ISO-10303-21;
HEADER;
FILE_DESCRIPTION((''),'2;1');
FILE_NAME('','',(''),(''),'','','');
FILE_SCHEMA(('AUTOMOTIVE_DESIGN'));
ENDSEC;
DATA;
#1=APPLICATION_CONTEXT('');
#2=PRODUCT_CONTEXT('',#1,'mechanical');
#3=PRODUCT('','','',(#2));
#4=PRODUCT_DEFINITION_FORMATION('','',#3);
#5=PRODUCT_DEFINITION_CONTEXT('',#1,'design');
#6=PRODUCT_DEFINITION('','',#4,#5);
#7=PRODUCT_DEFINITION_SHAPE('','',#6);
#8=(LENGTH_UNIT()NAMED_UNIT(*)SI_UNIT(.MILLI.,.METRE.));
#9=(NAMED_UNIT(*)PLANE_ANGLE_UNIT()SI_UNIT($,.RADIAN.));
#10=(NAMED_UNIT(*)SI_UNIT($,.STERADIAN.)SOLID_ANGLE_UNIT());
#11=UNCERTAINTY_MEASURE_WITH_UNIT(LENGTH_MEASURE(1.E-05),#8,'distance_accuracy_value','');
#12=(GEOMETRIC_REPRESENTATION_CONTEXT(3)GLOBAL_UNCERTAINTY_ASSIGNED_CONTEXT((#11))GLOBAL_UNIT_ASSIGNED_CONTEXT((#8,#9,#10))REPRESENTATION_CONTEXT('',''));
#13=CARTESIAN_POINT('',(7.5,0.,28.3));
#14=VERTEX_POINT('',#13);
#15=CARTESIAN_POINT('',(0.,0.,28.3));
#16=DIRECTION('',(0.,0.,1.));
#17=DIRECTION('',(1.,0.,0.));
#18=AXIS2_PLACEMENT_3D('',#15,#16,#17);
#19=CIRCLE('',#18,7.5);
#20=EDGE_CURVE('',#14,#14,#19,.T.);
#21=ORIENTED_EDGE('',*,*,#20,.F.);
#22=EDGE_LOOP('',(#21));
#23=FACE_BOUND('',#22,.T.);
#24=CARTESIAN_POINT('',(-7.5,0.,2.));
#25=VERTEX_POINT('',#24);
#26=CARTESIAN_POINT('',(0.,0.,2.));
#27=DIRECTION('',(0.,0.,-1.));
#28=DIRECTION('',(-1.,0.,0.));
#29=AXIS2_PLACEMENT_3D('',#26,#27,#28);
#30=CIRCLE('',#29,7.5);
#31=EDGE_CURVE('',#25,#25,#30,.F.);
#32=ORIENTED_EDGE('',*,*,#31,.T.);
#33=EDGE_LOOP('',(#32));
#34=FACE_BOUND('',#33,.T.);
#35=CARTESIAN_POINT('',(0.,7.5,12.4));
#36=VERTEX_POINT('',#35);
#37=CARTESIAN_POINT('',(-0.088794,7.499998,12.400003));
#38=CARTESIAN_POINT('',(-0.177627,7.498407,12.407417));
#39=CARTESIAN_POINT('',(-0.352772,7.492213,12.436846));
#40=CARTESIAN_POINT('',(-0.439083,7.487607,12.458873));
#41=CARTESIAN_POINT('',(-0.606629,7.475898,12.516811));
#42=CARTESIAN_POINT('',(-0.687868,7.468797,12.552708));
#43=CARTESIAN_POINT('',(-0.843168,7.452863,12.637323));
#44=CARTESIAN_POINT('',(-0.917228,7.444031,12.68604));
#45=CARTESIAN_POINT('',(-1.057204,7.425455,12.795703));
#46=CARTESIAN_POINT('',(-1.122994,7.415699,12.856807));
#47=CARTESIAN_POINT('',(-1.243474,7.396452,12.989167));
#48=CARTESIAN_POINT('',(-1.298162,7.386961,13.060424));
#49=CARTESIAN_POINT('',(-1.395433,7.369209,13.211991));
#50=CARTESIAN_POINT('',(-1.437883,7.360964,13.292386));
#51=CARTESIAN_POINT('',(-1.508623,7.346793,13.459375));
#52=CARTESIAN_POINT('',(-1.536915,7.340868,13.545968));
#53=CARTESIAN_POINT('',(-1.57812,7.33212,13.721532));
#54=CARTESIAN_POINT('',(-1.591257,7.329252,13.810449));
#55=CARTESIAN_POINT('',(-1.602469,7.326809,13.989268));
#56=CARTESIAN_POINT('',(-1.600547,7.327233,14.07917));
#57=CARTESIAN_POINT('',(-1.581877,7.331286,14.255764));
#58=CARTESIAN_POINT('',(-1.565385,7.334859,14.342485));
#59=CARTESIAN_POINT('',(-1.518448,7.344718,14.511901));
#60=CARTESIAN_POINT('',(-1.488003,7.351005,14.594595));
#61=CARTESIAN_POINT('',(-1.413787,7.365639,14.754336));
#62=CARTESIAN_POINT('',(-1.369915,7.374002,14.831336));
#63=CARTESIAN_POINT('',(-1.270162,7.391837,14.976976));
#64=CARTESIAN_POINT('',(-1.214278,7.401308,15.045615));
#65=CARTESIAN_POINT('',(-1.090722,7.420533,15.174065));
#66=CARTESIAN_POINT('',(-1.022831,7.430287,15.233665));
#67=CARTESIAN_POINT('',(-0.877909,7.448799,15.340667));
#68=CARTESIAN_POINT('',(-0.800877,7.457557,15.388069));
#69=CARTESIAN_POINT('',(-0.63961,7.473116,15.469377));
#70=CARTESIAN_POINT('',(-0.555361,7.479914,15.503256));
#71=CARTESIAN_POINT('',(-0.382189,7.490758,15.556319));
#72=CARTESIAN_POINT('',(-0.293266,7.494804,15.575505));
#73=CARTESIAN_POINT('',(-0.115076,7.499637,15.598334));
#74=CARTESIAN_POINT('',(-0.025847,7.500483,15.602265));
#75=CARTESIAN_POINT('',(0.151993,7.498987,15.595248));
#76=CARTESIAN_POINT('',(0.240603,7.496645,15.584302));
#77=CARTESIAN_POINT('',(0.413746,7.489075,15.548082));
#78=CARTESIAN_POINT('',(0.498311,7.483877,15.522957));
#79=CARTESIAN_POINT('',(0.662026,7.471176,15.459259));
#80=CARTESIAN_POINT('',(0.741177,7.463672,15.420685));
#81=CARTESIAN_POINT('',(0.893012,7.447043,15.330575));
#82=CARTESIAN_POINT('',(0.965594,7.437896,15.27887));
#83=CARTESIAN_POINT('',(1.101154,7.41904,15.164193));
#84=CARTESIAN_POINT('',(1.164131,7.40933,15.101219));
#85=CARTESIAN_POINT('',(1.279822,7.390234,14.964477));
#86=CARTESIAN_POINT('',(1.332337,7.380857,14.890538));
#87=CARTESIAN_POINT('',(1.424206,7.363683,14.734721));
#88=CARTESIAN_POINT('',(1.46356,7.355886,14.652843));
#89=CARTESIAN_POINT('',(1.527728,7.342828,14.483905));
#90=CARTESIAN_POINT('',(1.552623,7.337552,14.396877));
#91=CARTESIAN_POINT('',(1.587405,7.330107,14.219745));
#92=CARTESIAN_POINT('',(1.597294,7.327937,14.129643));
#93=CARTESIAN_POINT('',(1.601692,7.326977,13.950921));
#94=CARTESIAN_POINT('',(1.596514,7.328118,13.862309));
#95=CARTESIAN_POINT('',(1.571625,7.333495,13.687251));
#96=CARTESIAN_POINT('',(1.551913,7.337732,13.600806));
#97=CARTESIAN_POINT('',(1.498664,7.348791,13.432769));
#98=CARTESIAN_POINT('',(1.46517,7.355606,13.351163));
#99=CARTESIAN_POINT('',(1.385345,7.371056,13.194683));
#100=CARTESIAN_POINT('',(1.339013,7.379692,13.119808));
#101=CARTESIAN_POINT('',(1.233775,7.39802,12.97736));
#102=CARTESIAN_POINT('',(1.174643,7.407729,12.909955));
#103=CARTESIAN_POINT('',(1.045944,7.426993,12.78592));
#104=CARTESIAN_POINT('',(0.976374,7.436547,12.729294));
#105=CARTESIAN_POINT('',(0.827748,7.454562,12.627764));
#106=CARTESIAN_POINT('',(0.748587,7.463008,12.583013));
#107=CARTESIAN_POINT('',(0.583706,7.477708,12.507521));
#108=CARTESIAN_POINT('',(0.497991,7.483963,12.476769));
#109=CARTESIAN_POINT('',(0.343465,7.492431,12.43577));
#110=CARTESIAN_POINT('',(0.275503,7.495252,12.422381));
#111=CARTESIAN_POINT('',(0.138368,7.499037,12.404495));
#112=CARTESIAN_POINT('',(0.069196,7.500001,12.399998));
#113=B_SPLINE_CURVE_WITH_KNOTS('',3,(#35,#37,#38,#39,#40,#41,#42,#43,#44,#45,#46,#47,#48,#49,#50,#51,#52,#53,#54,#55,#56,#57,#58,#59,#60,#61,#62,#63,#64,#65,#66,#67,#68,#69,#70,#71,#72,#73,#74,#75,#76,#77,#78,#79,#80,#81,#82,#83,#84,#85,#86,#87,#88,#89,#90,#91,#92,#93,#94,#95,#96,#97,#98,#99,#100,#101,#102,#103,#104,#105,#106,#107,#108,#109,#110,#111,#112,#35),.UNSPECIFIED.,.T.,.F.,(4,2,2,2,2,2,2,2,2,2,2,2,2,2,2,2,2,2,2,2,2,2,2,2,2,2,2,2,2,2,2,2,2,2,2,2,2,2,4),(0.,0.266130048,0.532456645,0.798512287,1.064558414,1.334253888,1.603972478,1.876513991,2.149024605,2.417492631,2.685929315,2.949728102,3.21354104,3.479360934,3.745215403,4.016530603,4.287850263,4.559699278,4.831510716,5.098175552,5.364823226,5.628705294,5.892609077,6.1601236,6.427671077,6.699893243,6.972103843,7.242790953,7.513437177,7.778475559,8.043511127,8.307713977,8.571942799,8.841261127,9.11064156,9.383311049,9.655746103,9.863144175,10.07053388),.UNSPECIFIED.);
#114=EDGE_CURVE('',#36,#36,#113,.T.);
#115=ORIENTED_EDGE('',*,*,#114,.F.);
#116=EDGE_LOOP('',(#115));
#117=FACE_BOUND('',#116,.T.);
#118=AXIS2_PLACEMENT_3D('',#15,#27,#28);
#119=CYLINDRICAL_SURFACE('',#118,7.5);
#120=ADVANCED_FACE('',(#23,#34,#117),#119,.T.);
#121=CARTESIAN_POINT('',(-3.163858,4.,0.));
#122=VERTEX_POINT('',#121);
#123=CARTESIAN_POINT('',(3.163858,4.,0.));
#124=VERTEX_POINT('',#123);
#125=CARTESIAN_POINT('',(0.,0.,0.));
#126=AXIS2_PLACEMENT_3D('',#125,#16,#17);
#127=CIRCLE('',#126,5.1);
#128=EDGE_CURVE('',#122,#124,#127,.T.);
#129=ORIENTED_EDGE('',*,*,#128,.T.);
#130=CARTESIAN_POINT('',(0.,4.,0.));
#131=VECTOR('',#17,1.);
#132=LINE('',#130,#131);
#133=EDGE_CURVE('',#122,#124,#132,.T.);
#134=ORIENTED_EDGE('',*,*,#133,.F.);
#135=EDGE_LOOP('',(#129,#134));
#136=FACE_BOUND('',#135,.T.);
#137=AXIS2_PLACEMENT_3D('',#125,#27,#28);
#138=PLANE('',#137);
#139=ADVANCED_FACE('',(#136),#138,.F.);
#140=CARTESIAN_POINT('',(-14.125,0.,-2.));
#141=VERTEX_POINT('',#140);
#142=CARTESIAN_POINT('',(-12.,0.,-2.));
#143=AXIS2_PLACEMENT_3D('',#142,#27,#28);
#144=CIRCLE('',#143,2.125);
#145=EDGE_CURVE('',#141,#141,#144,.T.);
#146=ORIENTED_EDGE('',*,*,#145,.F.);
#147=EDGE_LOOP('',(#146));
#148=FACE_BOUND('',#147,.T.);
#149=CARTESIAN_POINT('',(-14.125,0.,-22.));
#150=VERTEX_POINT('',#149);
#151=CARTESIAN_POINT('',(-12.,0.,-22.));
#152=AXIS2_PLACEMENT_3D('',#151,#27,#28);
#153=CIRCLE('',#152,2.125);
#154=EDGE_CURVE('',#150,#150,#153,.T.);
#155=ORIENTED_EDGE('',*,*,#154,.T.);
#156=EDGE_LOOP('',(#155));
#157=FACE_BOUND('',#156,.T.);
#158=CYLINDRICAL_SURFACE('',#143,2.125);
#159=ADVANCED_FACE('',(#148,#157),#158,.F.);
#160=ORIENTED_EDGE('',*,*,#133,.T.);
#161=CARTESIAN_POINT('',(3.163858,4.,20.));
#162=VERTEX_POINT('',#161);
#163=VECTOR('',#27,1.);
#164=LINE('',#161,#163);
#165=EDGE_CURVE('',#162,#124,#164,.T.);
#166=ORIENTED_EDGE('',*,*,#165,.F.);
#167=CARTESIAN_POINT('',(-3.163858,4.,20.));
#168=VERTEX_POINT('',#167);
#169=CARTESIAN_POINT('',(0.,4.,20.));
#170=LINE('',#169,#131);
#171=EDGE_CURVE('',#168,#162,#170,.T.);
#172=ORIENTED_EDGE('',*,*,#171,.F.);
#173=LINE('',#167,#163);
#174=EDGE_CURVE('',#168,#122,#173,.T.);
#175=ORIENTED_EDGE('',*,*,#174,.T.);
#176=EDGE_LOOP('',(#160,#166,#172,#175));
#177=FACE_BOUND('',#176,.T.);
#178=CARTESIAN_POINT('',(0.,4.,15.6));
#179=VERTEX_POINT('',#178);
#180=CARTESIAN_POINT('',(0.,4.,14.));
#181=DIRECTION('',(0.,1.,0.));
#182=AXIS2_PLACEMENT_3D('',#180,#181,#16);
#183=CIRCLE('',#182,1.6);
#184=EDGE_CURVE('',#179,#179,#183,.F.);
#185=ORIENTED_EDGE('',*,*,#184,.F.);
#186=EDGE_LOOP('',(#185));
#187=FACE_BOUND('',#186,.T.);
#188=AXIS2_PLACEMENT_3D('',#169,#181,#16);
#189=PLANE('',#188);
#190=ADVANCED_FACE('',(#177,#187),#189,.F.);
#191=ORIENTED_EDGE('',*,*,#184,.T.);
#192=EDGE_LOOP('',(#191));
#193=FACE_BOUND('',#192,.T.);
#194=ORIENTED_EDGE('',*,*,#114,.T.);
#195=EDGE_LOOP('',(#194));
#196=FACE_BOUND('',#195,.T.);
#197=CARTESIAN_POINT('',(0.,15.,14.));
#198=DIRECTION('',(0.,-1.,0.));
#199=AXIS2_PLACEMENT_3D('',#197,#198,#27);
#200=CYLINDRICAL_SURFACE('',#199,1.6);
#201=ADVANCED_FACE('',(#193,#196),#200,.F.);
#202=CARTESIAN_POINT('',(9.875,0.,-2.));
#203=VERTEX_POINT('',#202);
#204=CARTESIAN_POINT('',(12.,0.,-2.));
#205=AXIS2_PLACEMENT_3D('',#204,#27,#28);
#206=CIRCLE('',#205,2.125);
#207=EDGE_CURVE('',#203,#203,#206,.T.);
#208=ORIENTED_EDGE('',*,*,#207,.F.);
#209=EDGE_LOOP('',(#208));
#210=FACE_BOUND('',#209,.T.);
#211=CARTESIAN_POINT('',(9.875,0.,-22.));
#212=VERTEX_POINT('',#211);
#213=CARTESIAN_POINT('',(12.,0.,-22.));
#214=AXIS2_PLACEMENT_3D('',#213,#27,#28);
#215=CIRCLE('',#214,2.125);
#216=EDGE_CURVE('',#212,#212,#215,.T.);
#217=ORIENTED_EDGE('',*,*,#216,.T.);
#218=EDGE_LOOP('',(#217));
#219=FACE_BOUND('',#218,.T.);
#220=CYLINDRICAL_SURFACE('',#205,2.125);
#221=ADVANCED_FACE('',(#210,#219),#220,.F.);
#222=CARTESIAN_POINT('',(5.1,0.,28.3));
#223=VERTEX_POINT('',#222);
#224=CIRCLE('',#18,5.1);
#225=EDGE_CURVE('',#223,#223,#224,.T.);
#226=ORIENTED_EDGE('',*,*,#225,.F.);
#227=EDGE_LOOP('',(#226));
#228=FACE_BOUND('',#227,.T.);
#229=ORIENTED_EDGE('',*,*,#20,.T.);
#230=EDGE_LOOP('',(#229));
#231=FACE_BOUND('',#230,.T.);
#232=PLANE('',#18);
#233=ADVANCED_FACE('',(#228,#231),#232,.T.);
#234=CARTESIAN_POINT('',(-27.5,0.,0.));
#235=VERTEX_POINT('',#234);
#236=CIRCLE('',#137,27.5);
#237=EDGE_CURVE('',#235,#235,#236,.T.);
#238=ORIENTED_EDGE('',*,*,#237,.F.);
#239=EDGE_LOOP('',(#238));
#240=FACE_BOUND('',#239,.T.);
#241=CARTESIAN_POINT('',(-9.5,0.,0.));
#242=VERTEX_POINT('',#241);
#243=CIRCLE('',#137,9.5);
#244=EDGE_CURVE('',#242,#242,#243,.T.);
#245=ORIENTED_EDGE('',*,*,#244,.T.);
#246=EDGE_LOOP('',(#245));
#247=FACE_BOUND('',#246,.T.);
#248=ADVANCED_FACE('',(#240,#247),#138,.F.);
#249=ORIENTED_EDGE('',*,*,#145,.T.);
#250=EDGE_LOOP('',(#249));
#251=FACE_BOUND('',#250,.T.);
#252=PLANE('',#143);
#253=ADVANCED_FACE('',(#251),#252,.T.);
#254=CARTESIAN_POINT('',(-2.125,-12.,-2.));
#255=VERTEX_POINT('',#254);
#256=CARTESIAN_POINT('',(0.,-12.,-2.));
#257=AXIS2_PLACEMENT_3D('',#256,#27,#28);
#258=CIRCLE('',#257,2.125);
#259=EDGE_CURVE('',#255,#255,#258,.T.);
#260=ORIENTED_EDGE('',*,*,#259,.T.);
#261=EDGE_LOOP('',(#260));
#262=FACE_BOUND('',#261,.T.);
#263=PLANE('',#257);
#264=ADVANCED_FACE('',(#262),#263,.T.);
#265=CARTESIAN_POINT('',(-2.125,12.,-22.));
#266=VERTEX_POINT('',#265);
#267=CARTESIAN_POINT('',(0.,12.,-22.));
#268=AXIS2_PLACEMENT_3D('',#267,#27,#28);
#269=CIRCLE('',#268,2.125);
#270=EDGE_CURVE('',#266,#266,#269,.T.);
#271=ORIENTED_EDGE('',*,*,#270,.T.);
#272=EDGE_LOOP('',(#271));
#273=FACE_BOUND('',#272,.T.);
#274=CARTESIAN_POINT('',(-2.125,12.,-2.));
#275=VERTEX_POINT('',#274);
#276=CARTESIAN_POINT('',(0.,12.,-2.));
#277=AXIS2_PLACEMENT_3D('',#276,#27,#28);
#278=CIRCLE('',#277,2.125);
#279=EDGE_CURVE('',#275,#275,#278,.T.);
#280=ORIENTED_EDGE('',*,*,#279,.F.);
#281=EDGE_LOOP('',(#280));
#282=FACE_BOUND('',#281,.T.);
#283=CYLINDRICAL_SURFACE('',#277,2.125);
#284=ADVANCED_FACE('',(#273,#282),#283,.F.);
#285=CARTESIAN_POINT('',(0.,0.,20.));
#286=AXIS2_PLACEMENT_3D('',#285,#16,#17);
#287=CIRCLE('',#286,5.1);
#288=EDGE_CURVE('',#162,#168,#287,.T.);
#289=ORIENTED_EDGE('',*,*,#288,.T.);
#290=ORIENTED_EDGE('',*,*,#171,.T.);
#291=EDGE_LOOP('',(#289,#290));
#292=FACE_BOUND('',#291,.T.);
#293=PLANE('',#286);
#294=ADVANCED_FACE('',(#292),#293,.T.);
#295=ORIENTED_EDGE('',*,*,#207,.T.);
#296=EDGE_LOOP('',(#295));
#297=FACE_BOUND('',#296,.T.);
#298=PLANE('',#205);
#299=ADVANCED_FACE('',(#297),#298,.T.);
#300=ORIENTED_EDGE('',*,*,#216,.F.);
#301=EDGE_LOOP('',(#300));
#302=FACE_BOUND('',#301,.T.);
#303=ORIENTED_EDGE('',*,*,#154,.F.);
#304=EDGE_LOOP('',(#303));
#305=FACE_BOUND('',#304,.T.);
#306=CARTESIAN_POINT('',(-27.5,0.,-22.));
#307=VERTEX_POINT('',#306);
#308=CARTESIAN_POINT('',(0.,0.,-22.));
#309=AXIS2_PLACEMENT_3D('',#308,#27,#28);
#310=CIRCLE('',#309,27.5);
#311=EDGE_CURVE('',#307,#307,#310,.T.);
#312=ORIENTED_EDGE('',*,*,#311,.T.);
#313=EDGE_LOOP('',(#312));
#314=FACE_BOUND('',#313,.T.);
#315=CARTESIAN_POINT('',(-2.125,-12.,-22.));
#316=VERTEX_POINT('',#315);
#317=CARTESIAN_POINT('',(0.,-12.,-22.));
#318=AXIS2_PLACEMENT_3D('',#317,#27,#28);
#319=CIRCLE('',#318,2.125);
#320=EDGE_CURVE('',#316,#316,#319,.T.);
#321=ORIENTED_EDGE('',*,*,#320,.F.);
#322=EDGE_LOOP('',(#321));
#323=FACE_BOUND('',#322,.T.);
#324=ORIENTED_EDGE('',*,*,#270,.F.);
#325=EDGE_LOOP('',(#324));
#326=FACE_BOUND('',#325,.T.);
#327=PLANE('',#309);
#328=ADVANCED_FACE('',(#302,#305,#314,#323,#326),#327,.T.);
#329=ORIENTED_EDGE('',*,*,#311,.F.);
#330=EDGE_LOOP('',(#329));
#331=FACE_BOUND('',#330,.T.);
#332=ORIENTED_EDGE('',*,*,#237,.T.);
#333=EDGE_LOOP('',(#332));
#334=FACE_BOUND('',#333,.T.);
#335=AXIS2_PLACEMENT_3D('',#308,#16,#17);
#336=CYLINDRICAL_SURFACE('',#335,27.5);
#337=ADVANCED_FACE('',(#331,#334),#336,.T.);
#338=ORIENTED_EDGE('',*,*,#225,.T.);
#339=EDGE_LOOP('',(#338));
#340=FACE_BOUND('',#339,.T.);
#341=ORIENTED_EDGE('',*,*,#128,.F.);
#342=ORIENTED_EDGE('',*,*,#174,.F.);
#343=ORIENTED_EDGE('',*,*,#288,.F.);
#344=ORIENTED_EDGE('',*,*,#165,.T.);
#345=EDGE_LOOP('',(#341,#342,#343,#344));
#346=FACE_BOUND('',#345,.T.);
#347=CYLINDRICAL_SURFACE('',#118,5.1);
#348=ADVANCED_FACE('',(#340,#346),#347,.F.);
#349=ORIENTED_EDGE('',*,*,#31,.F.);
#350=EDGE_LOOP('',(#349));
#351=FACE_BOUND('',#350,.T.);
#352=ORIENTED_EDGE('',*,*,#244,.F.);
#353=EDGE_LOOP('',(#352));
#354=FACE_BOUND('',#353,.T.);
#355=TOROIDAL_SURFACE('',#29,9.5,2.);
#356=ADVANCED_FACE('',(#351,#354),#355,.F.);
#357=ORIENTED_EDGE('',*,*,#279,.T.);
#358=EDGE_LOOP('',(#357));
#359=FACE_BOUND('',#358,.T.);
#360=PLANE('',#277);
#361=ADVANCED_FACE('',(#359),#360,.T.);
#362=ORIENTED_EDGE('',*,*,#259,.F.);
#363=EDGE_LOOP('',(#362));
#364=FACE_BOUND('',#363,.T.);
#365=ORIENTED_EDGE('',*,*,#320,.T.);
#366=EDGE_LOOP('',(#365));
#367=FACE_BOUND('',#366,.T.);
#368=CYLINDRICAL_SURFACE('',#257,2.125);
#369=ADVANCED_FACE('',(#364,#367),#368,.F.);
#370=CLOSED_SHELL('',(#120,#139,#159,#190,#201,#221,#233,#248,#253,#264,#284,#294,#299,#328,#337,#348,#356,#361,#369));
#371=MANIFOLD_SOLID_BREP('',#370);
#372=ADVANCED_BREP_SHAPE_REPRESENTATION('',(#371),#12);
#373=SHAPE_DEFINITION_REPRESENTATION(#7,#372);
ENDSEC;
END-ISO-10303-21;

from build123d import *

# Parameters (mm, degrees)
SKETCH1_R           = 7.5
SKETCH1_R_2         = 5.1
BOSS_EXTRUDE1_DEPTH = 28.3
SKETCH4_R           = 27.5
BOSS_EXTRUDE3_DEPTH = 22
FILLET1_R           = 2
SKETCH5_R           = 2.125
CUT_EXTRUDE2_DEPTH  = 20
BOSS_EXTRUDE4_DEPTH = 20
SKETCH7_R           = 1.6
CUT_EXTRUDE3_DEPTH  = 15


with BuildPart() as part:
    # Sketch1 → Boss-Extrude1 (new body)
    with BuildSketch(Plane.XY):
        Circle(SKETCH1_R)
        Circle(SKETCH1_R_2, mode=Mode.SUBTRACT)
    extrude(amount=BOSS_EXTRUDE1_DEPTH)

    # Sketch4 → Boss-Extrude3 (add)
    with BuildSketch(Plane(origin=(0, 0, 0), x_dir=(-1, 0, 0), z_dir=(0, 0, -1))):
        Circle(SKETCH4_R)
    extrude(amount=BOSS_EXTRUDE3_DEPTH)

    # Fillet1
    fillet1_edges = [part.edges().sort_by_distance(p)[0] for p in [
        (-7.5, 0, 0),
    ]]
    fillet(fillet1_edges, radius=FILLET1_R)

    # Sketch5 → Cut-Extrude2 (cut)
    with BuildSketch(Plane(origin=(0, 0, -22), x_dir=(-1, 0, 0), z_dir=(0, 0, -1))):
        with Locations((0, 12)):
            Circle(SKETCH5_R)
        with Locations((12, 0)):
            Circle(SKETCH5_R)
        with Locations((0, -12)):
            Circle(SKETCH5_R)
        with Locations((-12, 0)):
            Circle(SKETCH5_R)
    extrude(amount=-CUT_EXTRUDE2_DEPTH, mode=Mode.SUBTRACT)

    # Sketch6 → Boss-Extrude4 (add)
    with BuildSketch(Plane.XY):
        with BuildLine():
            ThreePointArc((3.163858404, 4), (0, 5.1), (-3.163858404, 4))
            Line((-3.163858404, 4), (3.163858404, 4))
        make_face()
    extrude(amount=BOSS_EXTRUDE4_DEPTH)

    # Sketch7 → Cut-Extrude3 (cut)
    with BuildSketch(Plane(origin=(0, 0, 0), x_dir=(1, 0, 0), z_dir=(0, 1, 0))):
        with Locations(Location((0, -14, 0), (0, 0, 90))):
            Circle(SKETCH7_R)
    extrude(amount=CUT_EXTRUDE3_DEPTH, mode=Mode.SUBTRACT)


solid = part.part
